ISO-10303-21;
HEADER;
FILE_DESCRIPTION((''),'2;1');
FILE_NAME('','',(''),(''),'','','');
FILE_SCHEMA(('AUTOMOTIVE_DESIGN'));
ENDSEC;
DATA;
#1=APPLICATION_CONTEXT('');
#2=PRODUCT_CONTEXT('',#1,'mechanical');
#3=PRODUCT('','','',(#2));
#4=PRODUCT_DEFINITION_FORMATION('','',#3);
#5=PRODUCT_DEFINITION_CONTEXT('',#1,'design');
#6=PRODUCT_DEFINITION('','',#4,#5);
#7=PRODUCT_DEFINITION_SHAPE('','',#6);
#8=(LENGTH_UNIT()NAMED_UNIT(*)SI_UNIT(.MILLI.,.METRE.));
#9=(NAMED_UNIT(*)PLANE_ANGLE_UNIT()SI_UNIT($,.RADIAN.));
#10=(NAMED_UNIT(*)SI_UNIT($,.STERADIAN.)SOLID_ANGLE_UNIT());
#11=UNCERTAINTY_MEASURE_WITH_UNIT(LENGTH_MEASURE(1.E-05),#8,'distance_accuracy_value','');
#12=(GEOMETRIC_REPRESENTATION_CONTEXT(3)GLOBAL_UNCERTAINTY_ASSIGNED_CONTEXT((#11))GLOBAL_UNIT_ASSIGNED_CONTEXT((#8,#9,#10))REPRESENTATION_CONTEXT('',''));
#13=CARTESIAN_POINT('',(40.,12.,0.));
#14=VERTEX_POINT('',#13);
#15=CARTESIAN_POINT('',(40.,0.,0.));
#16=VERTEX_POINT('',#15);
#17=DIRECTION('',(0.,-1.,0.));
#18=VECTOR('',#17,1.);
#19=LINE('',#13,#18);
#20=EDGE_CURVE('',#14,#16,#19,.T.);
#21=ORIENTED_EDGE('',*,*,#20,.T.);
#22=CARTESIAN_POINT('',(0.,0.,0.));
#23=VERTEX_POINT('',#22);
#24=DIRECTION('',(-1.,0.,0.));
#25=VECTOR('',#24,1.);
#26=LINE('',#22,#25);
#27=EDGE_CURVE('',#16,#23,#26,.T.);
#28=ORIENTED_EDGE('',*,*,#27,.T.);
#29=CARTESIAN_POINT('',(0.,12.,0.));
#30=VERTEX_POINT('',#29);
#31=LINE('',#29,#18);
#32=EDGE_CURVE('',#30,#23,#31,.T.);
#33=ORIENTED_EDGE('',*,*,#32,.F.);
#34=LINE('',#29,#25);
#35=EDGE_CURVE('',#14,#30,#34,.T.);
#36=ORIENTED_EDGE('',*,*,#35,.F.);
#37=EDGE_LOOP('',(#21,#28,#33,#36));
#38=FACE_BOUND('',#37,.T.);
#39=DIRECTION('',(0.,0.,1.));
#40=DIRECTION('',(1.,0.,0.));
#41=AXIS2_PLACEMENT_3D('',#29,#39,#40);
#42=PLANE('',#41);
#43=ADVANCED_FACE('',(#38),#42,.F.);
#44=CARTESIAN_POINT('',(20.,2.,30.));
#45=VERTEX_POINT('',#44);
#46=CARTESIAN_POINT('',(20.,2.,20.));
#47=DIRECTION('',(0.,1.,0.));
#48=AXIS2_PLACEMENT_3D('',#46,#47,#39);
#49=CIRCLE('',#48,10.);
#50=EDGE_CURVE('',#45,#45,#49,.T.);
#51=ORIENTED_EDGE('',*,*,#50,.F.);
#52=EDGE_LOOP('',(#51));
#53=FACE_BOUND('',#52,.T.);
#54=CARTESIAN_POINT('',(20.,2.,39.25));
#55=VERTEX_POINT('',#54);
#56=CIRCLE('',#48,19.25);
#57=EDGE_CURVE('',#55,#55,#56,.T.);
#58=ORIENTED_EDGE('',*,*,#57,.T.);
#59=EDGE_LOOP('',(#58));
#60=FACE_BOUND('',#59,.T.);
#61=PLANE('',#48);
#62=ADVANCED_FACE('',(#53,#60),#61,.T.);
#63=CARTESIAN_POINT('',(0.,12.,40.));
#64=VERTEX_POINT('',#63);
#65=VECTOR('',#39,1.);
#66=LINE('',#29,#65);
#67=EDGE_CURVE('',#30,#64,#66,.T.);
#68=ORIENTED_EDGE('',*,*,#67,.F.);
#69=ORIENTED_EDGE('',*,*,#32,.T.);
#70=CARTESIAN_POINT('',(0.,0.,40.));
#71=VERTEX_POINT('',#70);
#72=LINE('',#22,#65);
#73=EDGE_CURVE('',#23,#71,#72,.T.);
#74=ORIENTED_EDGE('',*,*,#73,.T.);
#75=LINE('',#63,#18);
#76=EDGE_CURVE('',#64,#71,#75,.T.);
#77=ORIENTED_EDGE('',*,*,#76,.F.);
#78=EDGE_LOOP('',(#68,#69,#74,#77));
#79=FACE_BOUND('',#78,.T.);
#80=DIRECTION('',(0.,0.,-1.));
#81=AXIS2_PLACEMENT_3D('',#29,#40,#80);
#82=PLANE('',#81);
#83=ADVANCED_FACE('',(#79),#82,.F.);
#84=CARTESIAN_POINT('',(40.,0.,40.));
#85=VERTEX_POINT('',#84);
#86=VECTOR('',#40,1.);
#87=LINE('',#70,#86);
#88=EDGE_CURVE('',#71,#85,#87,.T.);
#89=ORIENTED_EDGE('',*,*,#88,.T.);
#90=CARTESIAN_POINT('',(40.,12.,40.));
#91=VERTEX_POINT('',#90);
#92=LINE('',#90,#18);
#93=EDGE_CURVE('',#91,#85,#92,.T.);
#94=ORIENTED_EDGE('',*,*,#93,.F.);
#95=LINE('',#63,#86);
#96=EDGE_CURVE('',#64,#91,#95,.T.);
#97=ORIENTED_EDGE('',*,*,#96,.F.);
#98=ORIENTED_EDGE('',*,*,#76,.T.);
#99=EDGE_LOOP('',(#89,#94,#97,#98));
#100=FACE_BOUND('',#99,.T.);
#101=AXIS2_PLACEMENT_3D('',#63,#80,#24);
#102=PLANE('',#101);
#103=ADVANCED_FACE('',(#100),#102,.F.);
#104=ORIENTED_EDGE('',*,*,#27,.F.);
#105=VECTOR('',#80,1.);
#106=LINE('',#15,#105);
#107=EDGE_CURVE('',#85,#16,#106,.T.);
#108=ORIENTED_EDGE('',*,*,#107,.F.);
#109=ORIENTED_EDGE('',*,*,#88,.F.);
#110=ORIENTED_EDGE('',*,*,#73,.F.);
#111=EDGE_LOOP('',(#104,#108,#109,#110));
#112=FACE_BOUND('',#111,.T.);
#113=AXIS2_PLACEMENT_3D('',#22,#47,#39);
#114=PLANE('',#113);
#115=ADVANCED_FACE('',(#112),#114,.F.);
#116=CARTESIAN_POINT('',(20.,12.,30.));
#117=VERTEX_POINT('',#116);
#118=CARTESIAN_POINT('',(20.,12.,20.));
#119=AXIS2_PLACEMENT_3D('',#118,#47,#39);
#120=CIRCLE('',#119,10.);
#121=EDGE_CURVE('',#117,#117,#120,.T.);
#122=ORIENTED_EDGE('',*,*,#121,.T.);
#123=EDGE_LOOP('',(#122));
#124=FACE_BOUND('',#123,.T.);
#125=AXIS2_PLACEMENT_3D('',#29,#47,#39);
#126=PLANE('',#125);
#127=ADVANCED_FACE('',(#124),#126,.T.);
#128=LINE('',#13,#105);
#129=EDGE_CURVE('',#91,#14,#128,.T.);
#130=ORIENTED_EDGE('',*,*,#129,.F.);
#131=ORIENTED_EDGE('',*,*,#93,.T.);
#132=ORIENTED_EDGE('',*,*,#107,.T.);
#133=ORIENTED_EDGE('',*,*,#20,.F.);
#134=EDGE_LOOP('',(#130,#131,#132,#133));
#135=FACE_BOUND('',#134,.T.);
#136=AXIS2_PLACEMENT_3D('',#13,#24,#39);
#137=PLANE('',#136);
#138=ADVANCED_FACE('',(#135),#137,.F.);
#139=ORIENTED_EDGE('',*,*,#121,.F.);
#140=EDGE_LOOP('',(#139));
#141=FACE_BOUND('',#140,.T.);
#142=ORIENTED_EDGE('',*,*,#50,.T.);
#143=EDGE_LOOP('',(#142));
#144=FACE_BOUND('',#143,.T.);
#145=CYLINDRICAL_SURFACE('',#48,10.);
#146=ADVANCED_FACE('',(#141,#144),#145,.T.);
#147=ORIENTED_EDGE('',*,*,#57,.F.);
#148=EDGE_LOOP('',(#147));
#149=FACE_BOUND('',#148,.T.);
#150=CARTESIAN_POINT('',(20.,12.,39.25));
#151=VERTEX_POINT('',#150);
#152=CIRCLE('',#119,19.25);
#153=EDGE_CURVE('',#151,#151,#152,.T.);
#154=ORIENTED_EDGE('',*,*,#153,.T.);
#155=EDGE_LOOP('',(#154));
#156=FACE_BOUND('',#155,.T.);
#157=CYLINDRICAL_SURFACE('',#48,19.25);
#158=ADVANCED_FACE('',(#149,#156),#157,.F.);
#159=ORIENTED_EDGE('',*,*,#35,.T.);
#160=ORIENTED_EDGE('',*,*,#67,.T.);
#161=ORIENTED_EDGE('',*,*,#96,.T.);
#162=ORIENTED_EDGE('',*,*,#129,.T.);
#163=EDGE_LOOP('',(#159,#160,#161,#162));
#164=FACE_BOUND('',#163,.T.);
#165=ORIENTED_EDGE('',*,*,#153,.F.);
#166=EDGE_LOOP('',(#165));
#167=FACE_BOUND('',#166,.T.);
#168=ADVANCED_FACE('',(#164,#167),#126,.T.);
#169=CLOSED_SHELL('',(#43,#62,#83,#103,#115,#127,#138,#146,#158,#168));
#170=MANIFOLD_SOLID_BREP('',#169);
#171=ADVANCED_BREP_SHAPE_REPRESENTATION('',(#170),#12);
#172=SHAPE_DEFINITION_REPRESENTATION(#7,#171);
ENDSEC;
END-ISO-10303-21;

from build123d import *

# Parameters (mm, degrees)
SKETCH_1_W          = 40
SKETCH_1_H          = 40
EXTRUDE_1_DEPTH     = 12
SKETCH_2_R          = 19.25
SKETCH_2_R_2        = 10
CUT_EXTRUDE_1_DEPTH = 10


with BuildPart() as part:
    # 草图1 → 凸台-拉伸1 (new body)
    with BuildSketch(Plane(origin=(0, 0, 0), x_dir=(1, 0, 0), z_dir=(0, 1, 0))):
        with Locations((20, -20)):
            Rectangle(SKETCH_1_W, SKETCH_1_H)
    extrude(amount=EXTRUDE_1_DEPTH)

    # 草图2 → 切除-拉伸1 (cut)
    with BuildSketch(Plane(origin=(0, 12, 0), x_dir=(1, 0, 0), z_dir=(0, 1, 0))):
        with Locations(Location((20, -20, 0), (0, 0, 270))):
            Circle(SKETCH_2_R)
        with Locations(Location((20, -20, 0), (0, 0, 270))):
            Circle(SKETCH_2_R_2, mode=Mode.SUBTRACT)
    extrude(amount=-CUT_EXTRUDE_1_DEPTH, mode=Mode.SUBTRACT)


solid = part.part
